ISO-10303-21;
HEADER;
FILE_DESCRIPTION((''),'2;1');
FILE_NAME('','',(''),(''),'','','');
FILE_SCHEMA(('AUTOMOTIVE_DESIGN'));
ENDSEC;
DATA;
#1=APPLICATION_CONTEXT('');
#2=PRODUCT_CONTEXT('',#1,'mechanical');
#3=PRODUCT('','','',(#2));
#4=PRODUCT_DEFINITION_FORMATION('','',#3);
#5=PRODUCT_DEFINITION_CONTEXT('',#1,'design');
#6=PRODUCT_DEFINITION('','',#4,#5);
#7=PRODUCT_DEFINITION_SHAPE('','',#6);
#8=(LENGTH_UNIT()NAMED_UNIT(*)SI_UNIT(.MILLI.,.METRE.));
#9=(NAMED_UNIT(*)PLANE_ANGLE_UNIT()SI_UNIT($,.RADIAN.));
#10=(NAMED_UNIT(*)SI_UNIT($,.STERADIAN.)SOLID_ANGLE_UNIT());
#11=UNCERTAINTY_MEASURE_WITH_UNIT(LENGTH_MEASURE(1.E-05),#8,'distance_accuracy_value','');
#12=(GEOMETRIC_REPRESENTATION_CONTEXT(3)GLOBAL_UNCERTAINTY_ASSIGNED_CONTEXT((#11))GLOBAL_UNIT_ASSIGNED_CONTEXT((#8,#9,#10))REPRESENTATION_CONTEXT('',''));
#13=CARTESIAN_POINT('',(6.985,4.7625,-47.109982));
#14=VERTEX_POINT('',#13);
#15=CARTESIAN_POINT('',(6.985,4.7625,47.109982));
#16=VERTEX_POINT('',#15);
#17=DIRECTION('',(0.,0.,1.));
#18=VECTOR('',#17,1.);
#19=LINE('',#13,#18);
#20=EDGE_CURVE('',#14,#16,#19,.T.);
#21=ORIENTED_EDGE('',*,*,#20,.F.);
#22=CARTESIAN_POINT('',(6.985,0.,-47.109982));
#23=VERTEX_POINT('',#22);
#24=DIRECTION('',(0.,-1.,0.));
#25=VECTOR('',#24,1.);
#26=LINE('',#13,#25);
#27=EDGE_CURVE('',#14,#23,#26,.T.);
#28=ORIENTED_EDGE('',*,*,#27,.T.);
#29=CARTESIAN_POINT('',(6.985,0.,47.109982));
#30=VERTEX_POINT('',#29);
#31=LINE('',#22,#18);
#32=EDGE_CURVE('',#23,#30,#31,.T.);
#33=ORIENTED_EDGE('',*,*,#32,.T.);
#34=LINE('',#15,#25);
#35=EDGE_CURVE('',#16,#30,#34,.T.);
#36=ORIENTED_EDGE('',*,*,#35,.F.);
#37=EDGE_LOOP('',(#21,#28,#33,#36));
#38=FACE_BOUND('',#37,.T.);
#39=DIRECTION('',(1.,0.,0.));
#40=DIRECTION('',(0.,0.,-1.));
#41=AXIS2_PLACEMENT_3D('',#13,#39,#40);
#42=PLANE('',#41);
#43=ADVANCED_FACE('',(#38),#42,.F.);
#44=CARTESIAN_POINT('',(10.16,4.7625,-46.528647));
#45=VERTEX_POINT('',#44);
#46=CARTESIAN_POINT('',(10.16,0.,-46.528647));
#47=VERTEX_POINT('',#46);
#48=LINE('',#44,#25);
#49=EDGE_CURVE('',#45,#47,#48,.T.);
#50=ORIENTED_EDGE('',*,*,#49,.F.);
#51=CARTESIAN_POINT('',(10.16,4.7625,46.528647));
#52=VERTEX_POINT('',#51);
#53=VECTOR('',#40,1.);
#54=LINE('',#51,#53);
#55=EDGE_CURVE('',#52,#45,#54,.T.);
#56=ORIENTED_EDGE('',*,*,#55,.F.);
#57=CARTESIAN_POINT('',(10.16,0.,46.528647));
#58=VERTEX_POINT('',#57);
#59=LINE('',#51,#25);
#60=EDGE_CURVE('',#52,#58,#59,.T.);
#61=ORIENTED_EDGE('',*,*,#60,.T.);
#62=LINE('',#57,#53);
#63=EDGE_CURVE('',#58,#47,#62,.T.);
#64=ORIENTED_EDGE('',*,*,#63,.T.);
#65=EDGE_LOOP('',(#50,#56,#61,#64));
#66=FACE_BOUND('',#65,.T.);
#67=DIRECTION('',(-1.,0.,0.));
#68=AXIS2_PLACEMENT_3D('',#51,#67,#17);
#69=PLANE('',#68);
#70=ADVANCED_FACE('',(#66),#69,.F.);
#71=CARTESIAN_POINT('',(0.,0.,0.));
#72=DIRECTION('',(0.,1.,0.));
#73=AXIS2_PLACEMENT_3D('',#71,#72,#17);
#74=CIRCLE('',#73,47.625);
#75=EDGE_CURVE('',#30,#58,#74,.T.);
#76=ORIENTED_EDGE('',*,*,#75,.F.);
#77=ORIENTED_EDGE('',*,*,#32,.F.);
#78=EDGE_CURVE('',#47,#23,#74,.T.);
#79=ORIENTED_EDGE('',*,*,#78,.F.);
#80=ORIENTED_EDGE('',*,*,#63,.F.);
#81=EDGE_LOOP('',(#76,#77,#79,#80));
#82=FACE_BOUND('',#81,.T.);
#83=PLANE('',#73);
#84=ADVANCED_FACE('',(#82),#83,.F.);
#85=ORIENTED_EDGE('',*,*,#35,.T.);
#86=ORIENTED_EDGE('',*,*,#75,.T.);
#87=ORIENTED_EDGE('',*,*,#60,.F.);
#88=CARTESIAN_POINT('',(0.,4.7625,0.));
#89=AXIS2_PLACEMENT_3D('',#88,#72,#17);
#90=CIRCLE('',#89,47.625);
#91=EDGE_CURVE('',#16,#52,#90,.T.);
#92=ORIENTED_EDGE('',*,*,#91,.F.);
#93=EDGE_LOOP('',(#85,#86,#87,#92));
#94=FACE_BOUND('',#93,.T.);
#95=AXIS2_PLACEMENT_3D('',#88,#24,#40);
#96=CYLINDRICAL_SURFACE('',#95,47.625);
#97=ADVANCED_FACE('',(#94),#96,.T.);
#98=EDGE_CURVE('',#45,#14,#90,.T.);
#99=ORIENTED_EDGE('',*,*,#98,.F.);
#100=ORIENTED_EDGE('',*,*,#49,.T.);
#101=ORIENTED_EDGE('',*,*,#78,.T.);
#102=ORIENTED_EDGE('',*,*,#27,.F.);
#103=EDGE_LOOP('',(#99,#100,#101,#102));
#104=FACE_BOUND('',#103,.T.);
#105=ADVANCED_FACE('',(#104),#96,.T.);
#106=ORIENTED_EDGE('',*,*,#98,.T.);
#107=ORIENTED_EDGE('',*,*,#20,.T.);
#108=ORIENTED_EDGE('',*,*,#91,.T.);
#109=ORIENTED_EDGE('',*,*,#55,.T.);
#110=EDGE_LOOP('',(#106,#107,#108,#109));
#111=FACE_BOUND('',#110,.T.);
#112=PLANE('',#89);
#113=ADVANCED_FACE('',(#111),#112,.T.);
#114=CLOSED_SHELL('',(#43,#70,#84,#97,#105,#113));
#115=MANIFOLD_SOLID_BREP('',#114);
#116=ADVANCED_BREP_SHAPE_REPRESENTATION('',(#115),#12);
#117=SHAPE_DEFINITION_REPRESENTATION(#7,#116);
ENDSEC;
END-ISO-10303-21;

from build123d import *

# Parameters (mm, degrees)
BOSS_EXTRUDE1_DEPTH = 4.7625


with BuildPart() as part:
    # Sketch2 → Boss-Extrude1 (new body)
    with BuildSketch(Plane(origin=(0, 0, 0), x_dir=(1, 0, 0), z_dir=(0, 1, 0))):
        with BuildLine():
            Line((10.16, -46.528647358), (10.16, 46.528647358))
            ThreePointArc((10.16, 46.528647358), (8.577426405, 46.846220565), (6.985, 47.109981957))
            Line((6.985, 47.109981957), (6.985, -47.109981957))
            ThreePointArc((6.985, -47.109981957), (8.577426405, -46.846220565), (10.16, -46.528647358))
        make_face()
    extrude(amount=BOSS_EXTRUDE1_DEPTH)


solid = part.part
